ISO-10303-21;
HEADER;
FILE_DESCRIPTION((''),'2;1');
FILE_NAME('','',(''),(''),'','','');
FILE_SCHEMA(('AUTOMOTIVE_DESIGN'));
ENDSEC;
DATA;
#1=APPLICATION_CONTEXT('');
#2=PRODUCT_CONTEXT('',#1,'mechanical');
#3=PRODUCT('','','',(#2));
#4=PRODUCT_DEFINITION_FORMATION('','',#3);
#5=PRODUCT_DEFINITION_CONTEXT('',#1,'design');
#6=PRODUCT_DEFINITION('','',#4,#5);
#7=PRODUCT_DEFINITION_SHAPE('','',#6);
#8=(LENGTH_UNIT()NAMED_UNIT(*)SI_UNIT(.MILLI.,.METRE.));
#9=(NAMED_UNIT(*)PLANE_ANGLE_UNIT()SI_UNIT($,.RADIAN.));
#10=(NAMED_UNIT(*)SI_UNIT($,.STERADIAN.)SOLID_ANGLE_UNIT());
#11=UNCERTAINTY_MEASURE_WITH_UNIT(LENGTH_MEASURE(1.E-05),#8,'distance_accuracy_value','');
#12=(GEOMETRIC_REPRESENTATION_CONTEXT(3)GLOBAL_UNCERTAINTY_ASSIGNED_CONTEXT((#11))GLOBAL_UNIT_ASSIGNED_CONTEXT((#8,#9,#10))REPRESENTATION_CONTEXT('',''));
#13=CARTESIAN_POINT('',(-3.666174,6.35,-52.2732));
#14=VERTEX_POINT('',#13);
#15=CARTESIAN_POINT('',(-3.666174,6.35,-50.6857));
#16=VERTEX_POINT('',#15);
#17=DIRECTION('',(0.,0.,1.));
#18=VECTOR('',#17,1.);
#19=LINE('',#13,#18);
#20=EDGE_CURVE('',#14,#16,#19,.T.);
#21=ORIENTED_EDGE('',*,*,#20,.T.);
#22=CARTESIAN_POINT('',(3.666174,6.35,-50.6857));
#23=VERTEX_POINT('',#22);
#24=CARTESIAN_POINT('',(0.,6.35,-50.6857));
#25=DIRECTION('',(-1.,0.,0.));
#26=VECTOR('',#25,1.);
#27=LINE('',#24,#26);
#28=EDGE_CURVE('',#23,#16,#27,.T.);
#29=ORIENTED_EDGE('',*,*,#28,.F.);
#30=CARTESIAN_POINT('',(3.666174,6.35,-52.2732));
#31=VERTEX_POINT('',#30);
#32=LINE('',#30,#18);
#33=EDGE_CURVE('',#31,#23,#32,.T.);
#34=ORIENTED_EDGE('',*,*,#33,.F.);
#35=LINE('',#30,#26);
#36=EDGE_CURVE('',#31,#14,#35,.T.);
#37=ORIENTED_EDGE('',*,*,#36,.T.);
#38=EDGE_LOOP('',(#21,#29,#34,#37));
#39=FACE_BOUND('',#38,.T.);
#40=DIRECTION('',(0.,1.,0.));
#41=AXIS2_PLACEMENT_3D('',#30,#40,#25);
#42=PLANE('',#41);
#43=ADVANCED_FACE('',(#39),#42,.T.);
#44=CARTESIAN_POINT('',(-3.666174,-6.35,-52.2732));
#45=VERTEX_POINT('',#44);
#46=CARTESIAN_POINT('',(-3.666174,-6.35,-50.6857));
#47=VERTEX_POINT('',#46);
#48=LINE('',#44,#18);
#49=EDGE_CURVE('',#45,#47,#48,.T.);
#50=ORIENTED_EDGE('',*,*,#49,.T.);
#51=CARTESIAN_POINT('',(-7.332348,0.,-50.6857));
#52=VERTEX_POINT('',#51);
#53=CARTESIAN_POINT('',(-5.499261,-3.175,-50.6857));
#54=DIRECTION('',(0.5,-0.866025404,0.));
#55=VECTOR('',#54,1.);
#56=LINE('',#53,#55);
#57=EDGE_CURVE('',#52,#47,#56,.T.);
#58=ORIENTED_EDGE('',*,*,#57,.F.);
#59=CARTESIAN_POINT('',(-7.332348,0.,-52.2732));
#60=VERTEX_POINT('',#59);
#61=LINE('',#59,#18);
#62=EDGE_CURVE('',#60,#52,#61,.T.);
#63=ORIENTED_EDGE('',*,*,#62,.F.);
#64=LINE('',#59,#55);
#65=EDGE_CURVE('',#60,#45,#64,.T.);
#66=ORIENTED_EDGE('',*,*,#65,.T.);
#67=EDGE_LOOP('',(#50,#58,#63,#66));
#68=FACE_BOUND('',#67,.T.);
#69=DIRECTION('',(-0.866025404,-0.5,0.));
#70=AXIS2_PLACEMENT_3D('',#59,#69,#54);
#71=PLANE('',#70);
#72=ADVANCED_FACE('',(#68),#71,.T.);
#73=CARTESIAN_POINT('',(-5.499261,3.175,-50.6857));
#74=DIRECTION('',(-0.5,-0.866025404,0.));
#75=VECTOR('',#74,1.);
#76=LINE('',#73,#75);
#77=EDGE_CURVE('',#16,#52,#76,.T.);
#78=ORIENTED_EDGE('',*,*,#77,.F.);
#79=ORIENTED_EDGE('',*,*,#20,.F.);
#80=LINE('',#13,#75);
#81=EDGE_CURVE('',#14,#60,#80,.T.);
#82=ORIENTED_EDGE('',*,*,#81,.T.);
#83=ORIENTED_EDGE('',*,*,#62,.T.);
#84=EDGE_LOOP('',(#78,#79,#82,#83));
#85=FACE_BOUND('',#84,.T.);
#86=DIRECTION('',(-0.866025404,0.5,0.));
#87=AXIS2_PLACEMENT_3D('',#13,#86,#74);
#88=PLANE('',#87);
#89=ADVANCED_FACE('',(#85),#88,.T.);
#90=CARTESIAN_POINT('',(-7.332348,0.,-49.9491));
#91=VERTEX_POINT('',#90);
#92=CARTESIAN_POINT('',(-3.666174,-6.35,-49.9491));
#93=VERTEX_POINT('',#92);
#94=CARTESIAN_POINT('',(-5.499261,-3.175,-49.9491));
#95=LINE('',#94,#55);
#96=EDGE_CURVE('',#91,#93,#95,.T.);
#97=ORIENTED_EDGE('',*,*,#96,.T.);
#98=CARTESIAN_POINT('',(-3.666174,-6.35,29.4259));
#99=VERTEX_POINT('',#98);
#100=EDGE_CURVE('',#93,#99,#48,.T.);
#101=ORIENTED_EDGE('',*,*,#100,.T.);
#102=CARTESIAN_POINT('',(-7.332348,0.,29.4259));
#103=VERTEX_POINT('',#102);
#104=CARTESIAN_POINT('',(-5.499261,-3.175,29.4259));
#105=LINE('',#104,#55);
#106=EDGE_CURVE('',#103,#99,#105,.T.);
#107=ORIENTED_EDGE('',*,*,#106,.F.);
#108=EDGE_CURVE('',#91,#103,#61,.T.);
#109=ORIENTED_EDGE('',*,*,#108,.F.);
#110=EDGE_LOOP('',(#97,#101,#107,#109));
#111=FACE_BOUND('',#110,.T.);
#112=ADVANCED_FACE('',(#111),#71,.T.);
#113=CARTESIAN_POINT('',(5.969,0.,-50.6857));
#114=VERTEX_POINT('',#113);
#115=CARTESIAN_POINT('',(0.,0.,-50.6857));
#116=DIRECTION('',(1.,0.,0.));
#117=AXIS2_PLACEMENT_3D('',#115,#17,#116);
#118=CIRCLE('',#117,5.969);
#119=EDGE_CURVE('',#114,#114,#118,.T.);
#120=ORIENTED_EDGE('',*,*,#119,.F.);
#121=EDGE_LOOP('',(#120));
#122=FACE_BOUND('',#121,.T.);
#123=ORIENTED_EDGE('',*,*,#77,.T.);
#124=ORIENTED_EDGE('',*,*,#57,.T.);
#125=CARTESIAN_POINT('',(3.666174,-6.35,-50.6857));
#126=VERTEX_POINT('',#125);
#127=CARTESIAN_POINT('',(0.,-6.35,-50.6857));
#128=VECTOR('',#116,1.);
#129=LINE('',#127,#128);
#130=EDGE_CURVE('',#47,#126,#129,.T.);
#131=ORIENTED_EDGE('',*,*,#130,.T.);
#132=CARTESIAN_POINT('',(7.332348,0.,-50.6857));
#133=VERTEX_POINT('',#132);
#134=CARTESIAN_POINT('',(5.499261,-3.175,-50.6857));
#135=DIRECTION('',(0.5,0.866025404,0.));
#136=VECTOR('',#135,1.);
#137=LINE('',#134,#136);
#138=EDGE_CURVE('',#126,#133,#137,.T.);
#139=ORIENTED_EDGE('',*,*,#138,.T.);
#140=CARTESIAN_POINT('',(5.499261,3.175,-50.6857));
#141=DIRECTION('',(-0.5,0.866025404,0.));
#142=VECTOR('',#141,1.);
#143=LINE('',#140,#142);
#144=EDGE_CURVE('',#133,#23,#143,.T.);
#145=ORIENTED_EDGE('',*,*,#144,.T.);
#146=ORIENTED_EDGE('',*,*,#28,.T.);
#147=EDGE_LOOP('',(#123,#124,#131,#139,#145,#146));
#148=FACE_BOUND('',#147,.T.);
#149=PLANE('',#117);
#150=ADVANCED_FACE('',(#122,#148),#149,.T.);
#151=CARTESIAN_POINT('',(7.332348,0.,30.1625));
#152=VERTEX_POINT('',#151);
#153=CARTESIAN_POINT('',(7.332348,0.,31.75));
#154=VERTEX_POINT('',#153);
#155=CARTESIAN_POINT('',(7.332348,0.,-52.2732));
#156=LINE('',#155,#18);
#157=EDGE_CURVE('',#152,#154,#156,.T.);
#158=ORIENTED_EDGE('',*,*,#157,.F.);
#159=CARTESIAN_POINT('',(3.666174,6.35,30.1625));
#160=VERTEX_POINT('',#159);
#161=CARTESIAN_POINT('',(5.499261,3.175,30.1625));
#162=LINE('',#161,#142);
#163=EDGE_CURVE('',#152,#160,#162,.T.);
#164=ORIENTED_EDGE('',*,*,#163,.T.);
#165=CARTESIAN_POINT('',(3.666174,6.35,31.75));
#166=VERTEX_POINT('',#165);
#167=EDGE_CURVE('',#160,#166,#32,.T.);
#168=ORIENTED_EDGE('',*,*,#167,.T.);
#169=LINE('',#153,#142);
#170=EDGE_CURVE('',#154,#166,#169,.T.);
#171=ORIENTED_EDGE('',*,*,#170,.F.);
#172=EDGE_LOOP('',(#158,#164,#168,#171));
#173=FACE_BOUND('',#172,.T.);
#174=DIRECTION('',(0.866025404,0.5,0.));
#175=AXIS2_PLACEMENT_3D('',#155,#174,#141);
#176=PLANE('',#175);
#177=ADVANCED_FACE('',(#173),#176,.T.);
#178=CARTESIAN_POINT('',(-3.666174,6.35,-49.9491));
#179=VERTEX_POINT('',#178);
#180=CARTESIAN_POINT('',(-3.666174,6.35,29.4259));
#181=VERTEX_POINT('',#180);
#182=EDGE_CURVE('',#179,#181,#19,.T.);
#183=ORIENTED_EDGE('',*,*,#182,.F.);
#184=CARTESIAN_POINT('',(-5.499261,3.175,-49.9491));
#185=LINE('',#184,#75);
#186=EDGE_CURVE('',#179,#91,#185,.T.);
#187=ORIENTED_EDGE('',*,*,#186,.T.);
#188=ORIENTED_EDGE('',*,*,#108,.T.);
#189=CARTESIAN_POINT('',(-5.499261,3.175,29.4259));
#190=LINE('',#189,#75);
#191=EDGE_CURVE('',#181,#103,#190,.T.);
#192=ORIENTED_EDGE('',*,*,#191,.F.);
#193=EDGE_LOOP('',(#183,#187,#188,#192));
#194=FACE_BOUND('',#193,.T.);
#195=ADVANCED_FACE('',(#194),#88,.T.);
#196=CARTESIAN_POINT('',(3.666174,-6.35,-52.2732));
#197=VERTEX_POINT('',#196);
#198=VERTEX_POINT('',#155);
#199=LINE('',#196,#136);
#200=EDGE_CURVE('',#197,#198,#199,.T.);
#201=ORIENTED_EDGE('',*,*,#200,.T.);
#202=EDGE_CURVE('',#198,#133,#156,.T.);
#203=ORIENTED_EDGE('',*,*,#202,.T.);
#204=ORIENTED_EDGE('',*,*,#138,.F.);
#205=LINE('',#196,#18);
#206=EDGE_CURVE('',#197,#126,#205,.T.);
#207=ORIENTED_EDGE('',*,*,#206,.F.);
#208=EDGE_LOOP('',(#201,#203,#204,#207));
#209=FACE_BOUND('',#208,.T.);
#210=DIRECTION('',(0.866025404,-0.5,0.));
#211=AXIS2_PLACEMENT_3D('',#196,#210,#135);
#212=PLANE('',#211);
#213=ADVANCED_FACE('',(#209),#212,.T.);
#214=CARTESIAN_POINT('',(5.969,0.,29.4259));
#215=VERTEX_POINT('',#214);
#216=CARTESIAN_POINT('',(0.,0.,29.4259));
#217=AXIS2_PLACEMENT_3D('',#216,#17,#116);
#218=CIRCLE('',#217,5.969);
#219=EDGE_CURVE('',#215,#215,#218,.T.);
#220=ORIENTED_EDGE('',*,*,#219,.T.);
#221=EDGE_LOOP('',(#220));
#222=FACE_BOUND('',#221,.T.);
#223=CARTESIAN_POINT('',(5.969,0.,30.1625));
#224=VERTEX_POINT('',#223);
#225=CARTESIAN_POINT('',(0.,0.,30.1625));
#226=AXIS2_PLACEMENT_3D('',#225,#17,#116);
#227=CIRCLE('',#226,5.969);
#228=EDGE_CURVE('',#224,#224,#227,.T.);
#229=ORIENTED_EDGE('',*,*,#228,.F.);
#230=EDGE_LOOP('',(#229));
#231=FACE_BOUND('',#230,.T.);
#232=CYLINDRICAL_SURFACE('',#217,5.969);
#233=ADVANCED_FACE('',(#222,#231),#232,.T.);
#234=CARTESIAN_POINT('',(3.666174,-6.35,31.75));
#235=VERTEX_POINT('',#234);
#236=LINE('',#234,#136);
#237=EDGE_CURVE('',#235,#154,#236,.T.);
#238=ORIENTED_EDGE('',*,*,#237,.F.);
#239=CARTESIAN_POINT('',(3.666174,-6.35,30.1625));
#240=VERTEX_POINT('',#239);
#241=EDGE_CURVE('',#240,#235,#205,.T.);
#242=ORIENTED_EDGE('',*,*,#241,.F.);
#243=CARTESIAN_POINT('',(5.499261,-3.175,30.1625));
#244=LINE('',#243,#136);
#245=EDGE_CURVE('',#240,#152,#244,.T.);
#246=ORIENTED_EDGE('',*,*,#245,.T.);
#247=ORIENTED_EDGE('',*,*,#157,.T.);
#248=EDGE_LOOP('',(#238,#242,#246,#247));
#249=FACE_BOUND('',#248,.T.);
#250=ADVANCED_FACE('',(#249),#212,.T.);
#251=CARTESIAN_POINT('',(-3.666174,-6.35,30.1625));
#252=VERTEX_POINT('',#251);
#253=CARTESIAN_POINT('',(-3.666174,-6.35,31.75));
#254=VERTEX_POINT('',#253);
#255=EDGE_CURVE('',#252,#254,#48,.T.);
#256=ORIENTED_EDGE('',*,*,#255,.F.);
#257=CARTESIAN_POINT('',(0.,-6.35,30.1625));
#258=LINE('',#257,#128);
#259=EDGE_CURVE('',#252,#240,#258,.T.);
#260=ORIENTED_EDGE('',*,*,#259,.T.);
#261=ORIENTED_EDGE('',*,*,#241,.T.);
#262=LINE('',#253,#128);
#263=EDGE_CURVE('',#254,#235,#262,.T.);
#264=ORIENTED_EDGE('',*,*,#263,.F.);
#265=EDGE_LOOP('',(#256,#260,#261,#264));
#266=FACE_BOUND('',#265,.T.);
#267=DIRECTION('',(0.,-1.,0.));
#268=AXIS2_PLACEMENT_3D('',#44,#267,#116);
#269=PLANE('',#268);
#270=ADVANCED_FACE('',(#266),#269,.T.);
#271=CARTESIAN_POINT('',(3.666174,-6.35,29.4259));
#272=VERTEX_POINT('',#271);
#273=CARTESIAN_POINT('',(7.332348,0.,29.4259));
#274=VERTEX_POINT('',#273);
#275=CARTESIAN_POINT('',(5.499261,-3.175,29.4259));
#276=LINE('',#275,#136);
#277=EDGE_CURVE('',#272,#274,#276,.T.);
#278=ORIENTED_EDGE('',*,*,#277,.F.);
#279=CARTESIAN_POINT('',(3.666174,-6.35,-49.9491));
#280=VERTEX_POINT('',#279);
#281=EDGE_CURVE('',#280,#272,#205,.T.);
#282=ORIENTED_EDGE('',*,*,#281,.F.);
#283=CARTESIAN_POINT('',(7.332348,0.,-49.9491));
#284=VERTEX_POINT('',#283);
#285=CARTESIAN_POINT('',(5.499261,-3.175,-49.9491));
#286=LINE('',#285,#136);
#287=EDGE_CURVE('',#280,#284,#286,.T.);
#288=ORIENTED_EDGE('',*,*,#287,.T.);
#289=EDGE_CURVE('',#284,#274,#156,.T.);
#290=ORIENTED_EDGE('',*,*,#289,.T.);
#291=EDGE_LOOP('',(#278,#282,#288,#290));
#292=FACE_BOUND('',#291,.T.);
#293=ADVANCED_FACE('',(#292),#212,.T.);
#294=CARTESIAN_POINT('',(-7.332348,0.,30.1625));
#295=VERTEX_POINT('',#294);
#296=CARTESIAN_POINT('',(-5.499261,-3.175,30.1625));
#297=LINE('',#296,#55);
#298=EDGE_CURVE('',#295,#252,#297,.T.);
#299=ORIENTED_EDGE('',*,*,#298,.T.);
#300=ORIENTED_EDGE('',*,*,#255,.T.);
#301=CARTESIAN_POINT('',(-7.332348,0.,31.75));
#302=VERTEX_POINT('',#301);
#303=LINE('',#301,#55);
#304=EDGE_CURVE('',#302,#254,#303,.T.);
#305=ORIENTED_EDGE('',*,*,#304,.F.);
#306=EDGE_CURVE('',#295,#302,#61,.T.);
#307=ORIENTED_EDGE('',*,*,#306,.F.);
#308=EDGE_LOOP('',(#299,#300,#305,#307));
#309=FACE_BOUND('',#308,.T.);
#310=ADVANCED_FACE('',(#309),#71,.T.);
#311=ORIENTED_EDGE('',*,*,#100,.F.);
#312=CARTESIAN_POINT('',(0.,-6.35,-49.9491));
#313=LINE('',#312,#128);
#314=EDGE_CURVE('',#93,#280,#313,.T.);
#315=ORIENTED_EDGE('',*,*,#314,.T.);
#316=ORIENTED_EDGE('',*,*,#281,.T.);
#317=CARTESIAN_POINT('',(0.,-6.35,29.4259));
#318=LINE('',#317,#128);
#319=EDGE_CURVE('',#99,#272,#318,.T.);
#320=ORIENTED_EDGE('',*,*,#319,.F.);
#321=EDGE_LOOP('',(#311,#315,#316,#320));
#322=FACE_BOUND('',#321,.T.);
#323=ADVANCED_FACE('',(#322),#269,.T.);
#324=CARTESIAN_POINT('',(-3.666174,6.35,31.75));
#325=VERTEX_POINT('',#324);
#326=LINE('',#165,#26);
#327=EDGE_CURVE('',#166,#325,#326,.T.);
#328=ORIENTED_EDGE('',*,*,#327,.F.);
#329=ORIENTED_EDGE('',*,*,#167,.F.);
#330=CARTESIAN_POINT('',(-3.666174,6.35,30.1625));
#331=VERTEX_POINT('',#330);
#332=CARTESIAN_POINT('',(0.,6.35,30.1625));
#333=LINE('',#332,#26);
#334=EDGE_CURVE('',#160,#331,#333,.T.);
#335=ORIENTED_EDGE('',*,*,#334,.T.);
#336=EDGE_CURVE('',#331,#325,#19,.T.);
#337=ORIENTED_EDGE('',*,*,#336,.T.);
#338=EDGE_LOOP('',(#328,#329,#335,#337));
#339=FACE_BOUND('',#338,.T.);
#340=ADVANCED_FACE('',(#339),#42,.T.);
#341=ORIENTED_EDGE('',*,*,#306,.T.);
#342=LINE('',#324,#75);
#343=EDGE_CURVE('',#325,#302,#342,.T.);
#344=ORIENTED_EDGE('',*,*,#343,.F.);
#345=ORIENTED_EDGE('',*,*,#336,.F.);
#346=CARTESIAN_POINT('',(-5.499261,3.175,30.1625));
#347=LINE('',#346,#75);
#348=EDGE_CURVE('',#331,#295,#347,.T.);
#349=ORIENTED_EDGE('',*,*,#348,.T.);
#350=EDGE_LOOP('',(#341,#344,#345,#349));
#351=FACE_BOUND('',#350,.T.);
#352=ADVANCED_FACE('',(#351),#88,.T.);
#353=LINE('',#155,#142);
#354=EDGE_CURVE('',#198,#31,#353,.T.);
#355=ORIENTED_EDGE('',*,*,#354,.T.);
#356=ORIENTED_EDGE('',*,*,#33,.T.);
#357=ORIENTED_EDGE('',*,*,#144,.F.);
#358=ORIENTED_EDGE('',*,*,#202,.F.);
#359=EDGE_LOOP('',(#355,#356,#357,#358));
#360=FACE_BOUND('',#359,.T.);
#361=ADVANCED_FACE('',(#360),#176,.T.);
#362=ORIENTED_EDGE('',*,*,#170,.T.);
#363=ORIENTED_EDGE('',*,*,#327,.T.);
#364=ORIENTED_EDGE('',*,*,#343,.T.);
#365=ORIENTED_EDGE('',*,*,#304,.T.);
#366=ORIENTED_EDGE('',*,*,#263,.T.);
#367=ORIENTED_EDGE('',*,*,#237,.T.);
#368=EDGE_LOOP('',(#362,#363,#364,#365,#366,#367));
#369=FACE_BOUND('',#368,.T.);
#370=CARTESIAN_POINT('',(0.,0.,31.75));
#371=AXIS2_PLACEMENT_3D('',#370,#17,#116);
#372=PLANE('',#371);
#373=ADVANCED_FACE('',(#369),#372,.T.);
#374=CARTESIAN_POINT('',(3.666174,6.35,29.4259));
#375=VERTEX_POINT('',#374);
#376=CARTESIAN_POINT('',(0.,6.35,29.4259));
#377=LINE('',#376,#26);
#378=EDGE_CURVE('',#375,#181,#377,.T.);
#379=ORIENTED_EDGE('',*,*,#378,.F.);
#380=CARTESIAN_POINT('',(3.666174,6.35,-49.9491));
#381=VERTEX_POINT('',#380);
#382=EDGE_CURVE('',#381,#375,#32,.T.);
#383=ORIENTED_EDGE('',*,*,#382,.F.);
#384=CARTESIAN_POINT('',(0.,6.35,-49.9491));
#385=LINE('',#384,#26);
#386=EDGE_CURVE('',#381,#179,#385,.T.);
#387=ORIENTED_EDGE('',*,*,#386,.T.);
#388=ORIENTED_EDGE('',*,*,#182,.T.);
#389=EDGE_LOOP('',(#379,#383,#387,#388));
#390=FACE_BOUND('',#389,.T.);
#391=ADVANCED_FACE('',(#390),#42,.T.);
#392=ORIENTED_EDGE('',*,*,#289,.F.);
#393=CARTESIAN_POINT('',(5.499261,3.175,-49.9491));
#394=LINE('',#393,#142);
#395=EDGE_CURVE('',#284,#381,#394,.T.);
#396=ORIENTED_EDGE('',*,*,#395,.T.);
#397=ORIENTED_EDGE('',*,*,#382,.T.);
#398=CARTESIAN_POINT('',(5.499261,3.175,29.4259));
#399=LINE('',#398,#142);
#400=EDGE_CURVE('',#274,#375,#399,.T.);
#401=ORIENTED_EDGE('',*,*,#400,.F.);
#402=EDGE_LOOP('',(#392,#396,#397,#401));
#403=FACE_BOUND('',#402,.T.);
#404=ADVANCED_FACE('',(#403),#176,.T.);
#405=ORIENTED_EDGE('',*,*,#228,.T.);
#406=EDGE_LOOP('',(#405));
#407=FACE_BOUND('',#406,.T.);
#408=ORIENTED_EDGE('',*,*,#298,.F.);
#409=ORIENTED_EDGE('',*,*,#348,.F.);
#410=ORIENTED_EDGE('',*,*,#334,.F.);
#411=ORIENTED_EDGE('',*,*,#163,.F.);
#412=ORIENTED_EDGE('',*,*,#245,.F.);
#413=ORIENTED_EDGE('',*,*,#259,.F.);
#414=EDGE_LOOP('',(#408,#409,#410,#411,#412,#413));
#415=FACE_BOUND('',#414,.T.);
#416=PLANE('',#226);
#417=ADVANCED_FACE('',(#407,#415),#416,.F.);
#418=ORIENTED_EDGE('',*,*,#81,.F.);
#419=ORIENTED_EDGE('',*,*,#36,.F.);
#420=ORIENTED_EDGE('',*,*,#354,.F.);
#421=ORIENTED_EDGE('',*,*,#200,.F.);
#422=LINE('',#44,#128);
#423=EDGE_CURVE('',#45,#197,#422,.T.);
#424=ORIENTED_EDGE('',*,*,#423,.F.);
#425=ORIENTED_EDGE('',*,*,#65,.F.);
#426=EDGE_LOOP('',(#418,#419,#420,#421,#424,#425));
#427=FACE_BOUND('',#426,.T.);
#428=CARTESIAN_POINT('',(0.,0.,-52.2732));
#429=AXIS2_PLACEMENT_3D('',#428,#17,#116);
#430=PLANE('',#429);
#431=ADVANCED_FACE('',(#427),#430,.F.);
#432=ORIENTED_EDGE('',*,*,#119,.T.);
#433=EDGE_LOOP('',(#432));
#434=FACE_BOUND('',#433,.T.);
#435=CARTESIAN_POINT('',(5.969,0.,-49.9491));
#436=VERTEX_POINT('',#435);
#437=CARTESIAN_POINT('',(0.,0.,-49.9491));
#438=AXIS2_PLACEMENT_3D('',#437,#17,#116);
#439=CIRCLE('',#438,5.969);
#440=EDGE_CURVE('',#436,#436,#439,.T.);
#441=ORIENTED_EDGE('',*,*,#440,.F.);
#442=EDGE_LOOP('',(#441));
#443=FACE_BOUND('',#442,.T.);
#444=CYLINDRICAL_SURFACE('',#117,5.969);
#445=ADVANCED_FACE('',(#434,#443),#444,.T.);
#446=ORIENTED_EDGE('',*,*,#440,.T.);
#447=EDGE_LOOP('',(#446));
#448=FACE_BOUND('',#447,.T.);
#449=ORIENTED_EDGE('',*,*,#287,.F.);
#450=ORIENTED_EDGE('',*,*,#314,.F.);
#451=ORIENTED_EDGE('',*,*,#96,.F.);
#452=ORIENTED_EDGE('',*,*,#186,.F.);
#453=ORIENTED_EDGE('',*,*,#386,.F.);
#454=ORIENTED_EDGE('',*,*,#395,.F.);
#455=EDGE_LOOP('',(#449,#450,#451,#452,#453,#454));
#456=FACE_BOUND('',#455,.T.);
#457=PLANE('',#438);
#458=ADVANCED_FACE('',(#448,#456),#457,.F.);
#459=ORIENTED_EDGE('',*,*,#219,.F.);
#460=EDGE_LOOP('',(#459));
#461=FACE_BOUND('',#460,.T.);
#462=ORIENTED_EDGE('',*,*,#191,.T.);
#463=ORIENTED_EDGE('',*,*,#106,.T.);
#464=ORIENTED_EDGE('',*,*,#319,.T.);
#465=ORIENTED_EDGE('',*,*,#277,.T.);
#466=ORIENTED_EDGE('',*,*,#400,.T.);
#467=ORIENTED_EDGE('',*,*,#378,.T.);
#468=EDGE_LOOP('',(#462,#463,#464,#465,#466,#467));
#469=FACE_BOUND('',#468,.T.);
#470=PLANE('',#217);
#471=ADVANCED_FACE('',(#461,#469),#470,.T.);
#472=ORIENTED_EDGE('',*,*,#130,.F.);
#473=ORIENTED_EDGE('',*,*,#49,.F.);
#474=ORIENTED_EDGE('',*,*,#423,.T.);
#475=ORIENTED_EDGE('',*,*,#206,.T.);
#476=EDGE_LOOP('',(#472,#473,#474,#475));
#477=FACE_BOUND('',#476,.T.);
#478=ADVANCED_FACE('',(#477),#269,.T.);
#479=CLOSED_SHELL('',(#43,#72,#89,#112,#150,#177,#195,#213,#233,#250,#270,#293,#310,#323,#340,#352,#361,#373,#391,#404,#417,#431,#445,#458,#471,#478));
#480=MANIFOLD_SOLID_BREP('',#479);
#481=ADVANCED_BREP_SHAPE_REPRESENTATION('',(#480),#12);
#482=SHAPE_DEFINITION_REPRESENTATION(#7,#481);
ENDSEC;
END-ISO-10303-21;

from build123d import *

# Parameters (mm, degrees)
BOSS_EXTRUDE1_DEPTH = 84.0232
SKETCH2_R           = 5.969
CUT_EXTRUDE1_DEPTH  = 0.7366
LPATTERN1_COUNT     = 2
LPATTERN1_PITCH     = 80.1116


with BuildPart() as part:
    # Sketch1 → Boss-Extrude1 (new body)
    with BuildSketch(Plane.XY.offset(31.75)):
        Polygon((7.332348419, 0), (3.666174209, 6.35), (-3.666174209, 6.35), (-7.332348419, 0), (-3.666174209, -6.35), (3.666174209, -6.35), align=None)
    extrude(amount=-BOSS_EXTRUDE1_DEPTH)

    # Sketch2 → Cut-Extrude1 (cut)
    with BuildSketch(Plane.XY.offset(30.1625)):
        Polygon((-3.666174209, -6.35), (3.666174209, -6.35), (7.332348419, 0), (3.666174209, 6.35), (-3.666174209, 6.35), (-7.332348419, 0), align=None)
        Circle(SKETCH2_R, mode=Mode.SUBTRACT)
    cut_extrude1 = extrude(amount=-CUT_EXTRUDE1_DEPTH, mode=Mode.SUBTRACT)

    # LPattern1: Cut-Extrude1 ×2
    with Locations(*[(0, 0, -i * LPATTERN1_PITCH) for i in range(1, LPATTERN1_COUNT)]):
        add(cut_extrude1, mode=Mode.SUBTRACT)


solid = part.part
